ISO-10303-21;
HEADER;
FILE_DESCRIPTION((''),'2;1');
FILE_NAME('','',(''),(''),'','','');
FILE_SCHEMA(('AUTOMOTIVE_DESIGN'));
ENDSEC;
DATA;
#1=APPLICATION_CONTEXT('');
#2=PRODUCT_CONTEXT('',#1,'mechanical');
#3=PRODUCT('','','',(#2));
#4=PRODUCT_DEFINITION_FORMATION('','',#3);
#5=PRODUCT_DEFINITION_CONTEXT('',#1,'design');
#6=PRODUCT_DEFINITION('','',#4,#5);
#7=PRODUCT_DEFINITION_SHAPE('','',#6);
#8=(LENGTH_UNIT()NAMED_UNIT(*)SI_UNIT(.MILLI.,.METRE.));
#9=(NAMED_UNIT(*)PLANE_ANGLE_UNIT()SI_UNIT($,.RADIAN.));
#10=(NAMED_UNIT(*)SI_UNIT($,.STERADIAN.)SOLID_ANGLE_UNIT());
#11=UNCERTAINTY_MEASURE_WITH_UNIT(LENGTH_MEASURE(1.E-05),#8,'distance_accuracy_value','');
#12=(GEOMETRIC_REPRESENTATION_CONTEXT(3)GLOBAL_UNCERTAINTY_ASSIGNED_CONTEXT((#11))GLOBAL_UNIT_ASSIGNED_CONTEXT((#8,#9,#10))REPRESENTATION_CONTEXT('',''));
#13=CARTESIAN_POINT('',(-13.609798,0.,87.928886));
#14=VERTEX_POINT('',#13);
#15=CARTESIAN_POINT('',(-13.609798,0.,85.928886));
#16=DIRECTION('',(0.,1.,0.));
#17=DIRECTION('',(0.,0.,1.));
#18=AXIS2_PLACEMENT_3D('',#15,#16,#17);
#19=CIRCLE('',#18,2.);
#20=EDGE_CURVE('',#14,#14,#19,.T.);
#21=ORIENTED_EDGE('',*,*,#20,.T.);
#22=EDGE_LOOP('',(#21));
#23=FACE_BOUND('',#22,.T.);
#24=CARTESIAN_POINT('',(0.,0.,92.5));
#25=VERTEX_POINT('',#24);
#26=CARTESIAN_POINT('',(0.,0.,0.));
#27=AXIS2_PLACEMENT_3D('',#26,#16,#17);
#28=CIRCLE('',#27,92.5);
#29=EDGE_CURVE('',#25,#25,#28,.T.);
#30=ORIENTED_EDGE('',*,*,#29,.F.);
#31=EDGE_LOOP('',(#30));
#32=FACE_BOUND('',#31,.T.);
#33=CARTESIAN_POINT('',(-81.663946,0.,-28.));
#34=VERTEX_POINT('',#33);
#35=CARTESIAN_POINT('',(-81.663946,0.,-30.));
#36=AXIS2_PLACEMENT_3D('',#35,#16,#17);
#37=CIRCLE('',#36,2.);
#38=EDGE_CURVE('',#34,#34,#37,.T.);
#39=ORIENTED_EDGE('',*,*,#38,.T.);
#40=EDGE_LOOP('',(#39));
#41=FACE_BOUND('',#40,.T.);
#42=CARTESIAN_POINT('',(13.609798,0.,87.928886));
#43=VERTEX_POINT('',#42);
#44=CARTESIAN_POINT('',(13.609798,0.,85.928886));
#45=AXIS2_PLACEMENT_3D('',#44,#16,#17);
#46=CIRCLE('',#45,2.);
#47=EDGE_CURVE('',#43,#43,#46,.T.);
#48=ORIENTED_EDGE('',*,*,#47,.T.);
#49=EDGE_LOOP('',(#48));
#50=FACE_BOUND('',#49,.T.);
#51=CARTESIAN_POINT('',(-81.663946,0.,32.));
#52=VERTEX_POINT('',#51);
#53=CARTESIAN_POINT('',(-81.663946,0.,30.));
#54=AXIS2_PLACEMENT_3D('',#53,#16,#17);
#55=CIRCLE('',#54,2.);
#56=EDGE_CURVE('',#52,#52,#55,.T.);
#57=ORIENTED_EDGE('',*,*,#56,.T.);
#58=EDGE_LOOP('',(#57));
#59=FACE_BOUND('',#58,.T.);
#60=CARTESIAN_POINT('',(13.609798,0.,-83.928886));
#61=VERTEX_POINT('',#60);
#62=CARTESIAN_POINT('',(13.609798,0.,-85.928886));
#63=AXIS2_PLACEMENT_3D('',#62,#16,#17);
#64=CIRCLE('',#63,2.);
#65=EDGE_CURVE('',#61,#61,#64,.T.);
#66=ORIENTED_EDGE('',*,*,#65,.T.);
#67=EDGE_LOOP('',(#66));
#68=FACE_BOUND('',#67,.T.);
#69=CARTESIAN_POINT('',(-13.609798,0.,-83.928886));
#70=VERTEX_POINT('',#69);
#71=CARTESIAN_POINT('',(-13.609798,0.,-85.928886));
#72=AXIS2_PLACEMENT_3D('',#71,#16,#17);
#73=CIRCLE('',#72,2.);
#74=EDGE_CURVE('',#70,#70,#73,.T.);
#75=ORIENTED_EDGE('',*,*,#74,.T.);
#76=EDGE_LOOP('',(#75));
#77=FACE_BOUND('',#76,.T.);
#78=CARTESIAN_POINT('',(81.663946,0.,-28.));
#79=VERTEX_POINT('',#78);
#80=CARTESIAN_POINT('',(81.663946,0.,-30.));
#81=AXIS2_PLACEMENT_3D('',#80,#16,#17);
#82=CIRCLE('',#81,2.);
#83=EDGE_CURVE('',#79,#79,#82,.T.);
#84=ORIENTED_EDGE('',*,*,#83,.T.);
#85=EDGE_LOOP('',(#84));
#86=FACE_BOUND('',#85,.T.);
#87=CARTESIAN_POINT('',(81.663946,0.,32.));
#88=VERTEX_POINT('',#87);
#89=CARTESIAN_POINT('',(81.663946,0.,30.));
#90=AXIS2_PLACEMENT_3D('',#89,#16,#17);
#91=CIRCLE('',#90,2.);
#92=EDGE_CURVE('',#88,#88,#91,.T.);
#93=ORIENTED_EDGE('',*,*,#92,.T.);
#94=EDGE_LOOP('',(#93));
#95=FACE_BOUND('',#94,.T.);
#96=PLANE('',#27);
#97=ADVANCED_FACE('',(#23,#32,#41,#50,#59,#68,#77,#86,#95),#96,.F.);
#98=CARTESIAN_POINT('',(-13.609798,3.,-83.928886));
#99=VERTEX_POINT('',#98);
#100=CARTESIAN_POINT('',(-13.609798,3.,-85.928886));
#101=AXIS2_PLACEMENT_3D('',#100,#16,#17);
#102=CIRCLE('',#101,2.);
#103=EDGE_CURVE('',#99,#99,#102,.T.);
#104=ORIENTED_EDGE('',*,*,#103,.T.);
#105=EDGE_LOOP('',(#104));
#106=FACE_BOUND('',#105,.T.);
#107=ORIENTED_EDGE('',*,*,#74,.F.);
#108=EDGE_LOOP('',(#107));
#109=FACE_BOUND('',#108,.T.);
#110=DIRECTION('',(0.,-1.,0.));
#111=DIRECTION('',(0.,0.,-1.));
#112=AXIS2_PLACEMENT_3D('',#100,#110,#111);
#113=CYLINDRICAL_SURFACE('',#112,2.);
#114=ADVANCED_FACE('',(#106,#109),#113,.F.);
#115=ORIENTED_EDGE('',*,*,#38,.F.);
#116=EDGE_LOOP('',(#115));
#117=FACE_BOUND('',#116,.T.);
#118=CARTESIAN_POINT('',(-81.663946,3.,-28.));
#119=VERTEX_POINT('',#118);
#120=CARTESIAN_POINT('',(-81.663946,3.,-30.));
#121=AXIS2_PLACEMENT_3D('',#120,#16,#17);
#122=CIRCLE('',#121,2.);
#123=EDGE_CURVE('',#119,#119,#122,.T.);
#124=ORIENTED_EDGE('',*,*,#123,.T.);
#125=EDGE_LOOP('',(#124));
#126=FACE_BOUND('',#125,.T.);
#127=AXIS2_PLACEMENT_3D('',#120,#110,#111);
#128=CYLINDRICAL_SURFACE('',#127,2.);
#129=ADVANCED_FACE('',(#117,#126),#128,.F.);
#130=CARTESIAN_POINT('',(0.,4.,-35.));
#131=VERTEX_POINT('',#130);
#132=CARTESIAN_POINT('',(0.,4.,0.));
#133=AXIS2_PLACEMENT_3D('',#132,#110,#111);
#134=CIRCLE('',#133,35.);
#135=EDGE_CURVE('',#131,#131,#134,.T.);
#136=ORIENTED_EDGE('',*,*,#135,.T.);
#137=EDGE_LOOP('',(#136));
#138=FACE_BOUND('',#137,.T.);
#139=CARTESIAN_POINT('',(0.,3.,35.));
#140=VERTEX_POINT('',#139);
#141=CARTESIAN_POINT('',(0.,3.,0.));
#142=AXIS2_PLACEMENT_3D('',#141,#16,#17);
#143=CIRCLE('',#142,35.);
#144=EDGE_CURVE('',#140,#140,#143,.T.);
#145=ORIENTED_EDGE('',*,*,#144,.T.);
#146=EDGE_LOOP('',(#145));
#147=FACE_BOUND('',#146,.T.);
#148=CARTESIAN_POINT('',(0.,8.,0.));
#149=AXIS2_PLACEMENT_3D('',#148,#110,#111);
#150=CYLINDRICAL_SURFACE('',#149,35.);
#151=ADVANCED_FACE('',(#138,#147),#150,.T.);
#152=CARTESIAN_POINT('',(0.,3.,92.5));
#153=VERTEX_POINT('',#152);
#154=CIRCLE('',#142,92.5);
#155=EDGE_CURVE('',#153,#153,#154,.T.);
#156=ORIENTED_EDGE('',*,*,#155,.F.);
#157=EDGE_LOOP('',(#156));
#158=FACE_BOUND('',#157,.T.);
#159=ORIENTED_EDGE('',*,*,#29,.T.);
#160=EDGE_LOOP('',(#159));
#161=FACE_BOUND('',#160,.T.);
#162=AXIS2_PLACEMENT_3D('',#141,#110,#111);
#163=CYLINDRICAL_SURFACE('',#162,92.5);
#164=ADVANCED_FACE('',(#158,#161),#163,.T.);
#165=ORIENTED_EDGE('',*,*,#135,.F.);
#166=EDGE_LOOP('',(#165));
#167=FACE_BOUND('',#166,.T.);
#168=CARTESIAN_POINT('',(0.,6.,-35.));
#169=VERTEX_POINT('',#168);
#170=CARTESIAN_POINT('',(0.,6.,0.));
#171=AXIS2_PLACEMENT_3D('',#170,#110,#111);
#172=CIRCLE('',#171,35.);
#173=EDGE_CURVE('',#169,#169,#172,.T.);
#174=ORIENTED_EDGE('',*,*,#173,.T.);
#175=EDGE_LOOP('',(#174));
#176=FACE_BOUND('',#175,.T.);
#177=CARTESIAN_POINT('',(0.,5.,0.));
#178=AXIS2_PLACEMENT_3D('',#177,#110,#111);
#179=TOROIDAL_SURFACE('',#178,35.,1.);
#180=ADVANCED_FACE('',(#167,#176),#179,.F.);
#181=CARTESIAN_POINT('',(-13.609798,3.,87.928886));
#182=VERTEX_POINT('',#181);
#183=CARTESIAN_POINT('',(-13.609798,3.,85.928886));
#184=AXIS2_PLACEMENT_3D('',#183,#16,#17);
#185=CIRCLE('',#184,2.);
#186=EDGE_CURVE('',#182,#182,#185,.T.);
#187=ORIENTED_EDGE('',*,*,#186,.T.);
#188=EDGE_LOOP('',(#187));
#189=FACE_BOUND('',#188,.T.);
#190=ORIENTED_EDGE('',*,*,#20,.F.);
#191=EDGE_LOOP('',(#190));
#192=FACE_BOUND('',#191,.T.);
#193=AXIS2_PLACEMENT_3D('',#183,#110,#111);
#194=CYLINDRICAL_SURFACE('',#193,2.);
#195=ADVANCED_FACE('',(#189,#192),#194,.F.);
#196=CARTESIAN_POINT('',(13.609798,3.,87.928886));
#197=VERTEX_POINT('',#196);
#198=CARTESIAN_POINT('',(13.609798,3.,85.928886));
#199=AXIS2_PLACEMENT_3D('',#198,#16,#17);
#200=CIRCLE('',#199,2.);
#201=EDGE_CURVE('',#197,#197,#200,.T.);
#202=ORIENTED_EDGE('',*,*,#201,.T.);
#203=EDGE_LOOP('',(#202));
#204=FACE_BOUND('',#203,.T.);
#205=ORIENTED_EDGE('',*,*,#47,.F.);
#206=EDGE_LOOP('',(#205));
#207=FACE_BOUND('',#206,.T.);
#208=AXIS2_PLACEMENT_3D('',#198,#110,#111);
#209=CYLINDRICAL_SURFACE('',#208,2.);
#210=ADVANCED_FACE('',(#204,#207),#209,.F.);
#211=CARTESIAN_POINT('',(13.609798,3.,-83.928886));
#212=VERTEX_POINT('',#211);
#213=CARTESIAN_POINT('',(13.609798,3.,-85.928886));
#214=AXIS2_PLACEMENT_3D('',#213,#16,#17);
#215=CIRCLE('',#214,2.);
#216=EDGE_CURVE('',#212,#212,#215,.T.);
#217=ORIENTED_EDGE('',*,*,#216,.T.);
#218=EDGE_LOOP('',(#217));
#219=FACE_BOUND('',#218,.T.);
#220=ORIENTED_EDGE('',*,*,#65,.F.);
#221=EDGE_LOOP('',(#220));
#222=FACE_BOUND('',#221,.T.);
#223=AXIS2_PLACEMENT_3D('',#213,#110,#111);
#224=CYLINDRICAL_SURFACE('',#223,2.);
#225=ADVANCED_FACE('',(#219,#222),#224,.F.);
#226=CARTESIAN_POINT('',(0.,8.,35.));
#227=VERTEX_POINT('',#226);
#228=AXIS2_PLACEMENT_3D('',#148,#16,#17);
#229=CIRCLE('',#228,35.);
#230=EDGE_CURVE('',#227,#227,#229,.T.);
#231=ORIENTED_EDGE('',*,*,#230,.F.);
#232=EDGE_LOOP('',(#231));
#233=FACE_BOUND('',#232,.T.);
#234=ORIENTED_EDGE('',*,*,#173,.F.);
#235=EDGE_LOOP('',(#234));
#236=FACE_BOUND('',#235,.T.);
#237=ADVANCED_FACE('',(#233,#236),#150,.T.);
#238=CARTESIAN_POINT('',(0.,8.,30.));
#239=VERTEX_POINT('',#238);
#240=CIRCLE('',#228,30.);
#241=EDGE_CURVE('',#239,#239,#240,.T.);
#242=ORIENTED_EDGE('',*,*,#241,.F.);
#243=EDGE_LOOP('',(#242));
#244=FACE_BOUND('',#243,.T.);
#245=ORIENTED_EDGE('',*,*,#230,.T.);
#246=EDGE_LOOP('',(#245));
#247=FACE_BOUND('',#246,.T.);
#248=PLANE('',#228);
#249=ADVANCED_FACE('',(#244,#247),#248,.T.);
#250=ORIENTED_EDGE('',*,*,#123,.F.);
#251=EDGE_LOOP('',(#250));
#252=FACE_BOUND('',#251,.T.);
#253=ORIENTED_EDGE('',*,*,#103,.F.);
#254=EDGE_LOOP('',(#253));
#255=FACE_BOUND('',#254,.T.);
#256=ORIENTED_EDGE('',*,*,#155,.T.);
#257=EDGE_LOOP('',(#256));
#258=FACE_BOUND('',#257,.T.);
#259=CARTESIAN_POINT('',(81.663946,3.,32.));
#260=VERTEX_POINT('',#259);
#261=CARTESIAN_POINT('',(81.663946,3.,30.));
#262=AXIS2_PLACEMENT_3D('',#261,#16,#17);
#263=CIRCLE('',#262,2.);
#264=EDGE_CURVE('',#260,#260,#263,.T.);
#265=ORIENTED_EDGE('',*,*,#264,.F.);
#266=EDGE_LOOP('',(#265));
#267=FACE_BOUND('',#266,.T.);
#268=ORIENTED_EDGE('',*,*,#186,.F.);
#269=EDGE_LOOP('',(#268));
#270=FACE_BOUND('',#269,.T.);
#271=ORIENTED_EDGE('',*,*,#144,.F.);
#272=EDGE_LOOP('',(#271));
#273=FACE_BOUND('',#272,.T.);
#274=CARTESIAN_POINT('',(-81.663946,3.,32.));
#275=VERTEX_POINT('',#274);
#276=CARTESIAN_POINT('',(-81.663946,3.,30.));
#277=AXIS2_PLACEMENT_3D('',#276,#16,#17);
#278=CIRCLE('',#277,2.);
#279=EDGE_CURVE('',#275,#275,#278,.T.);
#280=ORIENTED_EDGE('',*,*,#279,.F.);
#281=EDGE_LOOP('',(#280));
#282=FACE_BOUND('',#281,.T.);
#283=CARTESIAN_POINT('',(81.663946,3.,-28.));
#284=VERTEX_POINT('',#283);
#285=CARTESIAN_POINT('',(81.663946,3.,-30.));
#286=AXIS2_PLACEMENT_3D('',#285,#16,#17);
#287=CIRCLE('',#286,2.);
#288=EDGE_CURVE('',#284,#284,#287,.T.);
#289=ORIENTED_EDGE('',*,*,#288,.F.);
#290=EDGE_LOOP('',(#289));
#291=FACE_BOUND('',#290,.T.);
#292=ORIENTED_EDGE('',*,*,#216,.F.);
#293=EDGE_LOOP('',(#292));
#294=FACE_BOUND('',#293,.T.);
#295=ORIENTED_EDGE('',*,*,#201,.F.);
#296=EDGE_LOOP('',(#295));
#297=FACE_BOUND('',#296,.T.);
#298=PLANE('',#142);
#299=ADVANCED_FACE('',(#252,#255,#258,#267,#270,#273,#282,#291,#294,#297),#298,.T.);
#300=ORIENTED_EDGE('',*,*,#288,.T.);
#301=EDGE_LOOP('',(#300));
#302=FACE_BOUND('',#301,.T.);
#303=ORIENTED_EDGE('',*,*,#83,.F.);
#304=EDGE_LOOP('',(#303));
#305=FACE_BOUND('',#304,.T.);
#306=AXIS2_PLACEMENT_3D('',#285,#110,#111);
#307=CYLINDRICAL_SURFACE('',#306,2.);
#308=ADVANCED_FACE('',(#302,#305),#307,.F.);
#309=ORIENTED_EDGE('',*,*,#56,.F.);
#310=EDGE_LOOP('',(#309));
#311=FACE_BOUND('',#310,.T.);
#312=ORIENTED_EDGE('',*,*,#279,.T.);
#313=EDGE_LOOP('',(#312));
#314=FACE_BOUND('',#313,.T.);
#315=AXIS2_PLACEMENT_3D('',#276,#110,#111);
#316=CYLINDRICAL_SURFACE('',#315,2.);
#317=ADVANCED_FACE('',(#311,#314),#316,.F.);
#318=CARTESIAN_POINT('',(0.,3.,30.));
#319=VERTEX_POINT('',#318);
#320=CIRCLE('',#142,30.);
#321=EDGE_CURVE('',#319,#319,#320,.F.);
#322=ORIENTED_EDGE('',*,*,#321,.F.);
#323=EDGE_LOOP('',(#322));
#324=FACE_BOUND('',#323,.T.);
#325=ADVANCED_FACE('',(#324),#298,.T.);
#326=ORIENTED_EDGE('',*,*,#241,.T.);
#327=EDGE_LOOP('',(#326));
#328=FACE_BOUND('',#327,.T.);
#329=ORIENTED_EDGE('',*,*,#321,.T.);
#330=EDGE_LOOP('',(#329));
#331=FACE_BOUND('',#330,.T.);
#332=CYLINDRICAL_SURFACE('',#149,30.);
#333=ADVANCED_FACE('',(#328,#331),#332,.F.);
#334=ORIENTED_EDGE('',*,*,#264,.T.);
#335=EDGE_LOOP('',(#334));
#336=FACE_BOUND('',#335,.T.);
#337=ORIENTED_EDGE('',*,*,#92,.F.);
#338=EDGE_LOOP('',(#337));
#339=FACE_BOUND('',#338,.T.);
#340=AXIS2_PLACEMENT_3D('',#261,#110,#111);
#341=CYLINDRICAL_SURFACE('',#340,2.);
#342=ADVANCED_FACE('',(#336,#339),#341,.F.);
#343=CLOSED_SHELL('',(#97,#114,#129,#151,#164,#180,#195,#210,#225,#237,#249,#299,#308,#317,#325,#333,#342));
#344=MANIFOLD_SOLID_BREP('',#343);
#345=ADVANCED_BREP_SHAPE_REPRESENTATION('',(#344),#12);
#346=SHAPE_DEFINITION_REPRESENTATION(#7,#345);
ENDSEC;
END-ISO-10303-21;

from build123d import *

# Parameters (mm, degrees)
SKETCH1_R           = 92.5
SKETCH1_R_2         = 2
BOSS_EXTRUDE1_DEPTH = 3
BOSS_EXTRUDE2_START = 3
SKETCH1_3_R         = 35
SKETCH1_3_R_2       = 30
BOSS_EXTRUDE2_DEPTH = 5


with BuildPart() as part:
    # Sketch1 → Boss-Extrude1 (new body)
    with BuildSketch(Plane(origin=(0, 0, 0), x_dir=(1, 0, 0), z_dir=(0, 1, 0))):
        Circle(SKETCH1_R)
        with Locations((-13.609798459, -85.928885632)):
            Circle(SKETCH1_R_2, mode=Mode.SUBTRACT)
        with Locations((-81.663945533, -30)):
            Circle(SKETCH1_R_2, mode=Mode.SUBTRACT)
        with Locations((13.609798459, -85.928885632)):
            Circle(SKETCH1_R_2, mode=Mode.SUBTRACT)
        with Locations((81.663945533, -30)):
            Circle(SKETCH1_R_2, mode=Mode.SUBTRACT)
        with Locations((-81.663945533, 30)):
            Circle(SKETCH1_R_2, mode=Mode.SUBTRACT)
        with Locations((-13.609798459, 85.928885632)):
            Circle(SKETCH1_R_2, mode=Mode.SUBTRACT)
        with Locations((81.663945533, 30)):
            Circle(SKETCH1_R_2, mode=Mode.SUBTRACT)
        with Locations((13.609798459, 85.928885632)):
            Circle(SKETCH1_R_2, mode=Mode.SUBTRACT)
    extrude(amount=BOSS_EXTRUDE1_DEPTH)

    # Sketch1<3> → Boss-Extrude2 (add)
    with BuildSketch(Plane(origin=(0, 0, 0), x_dir=(1, 0, 0), z_dir=(0, 1, 0)).offset(BOSS_EXTRUDE2_START)):
        Circle(SKETCH1_3_R)
        Circle(SKETCH1_3_R_2, mode=Mode.SUBTRACT)
    extrude(amount=BOSS_EXTRUDE2_DEPTH)

    # Sketch2 → Cut-Revolve1 (revolve, cut)
    with BuildSketch(Plane.XY):
        with BuildLine():
            Line((35, 6), (35, 4))
            ThreePointArc((35, 4), (34, 5), (35, 6))
        make_face()
    revolve(axis=Axis((0, 0, 0), (0, 1, 0)), mode=Mode.SUBTRACT)


solid = part.part
